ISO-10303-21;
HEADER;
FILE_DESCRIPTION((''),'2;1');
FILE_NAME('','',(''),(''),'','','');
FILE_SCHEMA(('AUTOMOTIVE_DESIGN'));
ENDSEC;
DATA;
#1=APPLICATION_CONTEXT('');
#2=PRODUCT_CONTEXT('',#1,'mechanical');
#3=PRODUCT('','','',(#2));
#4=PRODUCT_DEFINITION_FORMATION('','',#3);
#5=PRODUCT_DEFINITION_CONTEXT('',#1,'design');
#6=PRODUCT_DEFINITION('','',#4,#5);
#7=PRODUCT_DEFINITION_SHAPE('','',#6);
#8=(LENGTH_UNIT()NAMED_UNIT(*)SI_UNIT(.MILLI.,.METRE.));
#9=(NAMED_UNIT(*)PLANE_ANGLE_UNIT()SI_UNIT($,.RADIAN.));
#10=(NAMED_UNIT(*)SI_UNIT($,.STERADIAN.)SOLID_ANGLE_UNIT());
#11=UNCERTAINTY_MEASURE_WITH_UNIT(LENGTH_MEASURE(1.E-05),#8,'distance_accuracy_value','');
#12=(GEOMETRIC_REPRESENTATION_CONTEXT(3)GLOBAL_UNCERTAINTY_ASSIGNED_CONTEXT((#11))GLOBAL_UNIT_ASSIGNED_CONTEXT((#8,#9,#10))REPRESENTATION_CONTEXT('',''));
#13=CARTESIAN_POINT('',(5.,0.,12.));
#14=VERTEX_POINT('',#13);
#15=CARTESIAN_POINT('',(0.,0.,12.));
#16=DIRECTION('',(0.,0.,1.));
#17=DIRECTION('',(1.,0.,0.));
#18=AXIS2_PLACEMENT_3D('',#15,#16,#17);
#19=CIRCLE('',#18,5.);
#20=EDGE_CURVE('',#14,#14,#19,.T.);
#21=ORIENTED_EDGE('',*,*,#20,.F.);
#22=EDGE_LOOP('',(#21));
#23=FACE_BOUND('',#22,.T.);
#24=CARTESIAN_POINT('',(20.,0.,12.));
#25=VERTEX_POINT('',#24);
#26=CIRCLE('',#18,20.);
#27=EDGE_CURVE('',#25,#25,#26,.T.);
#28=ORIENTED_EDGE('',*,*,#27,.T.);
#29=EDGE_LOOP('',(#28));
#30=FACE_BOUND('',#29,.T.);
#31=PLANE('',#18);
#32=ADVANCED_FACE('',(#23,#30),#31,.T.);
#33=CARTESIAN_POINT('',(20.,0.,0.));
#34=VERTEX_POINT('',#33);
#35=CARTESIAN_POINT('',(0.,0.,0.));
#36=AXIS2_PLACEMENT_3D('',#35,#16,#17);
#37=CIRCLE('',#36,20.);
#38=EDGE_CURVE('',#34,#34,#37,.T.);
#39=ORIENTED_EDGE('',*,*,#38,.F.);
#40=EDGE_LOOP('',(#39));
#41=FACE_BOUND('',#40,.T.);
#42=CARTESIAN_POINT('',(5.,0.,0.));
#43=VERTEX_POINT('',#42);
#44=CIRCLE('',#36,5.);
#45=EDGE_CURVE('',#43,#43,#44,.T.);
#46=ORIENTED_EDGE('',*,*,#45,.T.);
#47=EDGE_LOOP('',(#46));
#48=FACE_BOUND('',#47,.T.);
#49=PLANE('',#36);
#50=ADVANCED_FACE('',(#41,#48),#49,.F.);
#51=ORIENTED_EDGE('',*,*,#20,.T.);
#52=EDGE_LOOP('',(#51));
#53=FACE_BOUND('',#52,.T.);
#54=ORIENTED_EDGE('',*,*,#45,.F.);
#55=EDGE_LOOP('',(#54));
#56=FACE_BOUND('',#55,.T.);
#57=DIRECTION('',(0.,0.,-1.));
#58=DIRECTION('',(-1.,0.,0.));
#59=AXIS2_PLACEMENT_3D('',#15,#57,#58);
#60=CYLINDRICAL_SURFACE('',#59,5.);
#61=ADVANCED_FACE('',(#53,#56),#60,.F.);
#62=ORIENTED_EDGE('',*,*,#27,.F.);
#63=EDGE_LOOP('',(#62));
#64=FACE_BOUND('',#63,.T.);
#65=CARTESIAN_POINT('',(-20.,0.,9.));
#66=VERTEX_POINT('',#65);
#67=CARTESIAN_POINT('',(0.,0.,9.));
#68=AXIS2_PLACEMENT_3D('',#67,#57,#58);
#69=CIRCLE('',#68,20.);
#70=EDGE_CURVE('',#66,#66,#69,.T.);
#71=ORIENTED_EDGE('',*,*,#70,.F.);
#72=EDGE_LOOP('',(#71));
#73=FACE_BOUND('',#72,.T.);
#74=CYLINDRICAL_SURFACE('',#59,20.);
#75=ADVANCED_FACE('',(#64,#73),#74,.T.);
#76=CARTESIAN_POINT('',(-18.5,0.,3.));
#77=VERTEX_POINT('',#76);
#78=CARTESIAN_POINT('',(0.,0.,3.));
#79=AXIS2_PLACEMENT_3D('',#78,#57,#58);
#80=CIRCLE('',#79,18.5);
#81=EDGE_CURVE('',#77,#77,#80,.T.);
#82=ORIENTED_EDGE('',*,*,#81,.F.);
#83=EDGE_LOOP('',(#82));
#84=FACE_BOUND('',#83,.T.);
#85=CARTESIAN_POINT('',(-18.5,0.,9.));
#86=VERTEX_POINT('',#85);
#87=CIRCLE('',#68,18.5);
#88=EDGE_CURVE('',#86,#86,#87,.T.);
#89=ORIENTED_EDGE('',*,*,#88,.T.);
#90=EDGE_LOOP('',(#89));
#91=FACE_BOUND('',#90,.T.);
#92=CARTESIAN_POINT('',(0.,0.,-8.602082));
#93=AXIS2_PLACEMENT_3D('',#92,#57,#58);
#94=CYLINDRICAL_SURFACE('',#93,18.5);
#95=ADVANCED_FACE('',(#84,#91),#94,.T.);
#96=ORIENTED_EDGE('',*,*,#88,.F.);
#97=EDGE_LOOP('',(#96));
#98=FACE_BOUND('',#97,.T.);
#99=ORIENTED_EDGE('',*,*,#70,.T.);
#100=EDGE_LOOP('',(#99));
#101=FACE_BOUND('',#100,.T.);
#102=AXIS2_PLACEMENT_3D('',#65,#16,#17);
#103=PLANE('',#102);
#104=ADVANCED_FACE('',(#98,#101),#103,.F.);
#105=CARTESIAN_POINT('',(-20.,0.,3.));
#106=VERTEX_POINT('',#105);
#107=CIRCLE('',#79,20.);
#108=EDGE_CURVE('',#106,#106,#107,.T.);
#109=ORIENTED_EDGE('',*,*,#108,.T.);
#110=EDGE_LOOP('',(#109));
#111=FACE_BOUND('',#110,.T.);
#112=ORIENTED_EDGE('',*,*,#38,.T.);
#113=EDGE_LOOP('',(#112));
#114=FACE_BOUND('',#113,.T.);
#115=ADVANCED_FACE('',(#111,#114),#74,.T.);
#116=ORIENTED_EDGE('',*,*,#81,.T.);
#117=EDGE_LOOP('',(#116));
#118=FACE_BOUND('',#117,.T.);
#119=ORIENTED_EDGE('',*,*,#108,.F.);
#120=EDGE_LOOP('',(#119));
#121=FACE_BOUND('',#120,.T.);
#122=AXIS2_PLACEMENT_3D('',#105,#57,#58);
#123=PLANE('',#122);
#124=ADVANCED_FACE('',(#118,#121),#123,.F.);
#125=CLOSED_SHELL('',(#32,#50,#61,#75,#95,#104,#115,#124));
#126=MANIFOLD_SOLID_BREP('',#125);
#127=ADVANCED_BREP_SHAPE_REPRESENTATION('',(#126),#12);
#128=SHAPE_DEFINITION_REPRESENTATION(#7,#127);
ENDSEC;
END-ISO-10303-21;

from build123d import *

# Parameters (mm, degrees)
SKETCH1_R           = 20
SKETCH1_R_2         = 5
BOSS_EXTRUDE1_DEPTH = 12
SKETCH2_W           = 1.5
SKETCH2_H           = 6


with BuildPart() as part:
    # Sketch1 → Boss-Extrude1 (new body)
    with BuildSketch(Plane.XY):
        Circle(SKETCH1_R)
        Circle(SKETCH1_R_2, mode=Mode.SUBTRACT)
    extrude(amount=BOSS_EXTRUDE1_DEPTH)

    # Sketch2 → Cut-Revolve1 (revolve, cut)
    with BuildSketch(Plane(origin=(0, 0, 0), x_dir=(1, 0, 0), z_dir=(0, 1, 0))):
        with Locations((-19.25, -6)):
            Rectangle(SKETCH2_W, SKETCH2_H)
    revolve(axis=Axis((0, 0, -8.60208194), (0, 0, 1)), mode=Mode.SUBTRACT)


solid = part.part
